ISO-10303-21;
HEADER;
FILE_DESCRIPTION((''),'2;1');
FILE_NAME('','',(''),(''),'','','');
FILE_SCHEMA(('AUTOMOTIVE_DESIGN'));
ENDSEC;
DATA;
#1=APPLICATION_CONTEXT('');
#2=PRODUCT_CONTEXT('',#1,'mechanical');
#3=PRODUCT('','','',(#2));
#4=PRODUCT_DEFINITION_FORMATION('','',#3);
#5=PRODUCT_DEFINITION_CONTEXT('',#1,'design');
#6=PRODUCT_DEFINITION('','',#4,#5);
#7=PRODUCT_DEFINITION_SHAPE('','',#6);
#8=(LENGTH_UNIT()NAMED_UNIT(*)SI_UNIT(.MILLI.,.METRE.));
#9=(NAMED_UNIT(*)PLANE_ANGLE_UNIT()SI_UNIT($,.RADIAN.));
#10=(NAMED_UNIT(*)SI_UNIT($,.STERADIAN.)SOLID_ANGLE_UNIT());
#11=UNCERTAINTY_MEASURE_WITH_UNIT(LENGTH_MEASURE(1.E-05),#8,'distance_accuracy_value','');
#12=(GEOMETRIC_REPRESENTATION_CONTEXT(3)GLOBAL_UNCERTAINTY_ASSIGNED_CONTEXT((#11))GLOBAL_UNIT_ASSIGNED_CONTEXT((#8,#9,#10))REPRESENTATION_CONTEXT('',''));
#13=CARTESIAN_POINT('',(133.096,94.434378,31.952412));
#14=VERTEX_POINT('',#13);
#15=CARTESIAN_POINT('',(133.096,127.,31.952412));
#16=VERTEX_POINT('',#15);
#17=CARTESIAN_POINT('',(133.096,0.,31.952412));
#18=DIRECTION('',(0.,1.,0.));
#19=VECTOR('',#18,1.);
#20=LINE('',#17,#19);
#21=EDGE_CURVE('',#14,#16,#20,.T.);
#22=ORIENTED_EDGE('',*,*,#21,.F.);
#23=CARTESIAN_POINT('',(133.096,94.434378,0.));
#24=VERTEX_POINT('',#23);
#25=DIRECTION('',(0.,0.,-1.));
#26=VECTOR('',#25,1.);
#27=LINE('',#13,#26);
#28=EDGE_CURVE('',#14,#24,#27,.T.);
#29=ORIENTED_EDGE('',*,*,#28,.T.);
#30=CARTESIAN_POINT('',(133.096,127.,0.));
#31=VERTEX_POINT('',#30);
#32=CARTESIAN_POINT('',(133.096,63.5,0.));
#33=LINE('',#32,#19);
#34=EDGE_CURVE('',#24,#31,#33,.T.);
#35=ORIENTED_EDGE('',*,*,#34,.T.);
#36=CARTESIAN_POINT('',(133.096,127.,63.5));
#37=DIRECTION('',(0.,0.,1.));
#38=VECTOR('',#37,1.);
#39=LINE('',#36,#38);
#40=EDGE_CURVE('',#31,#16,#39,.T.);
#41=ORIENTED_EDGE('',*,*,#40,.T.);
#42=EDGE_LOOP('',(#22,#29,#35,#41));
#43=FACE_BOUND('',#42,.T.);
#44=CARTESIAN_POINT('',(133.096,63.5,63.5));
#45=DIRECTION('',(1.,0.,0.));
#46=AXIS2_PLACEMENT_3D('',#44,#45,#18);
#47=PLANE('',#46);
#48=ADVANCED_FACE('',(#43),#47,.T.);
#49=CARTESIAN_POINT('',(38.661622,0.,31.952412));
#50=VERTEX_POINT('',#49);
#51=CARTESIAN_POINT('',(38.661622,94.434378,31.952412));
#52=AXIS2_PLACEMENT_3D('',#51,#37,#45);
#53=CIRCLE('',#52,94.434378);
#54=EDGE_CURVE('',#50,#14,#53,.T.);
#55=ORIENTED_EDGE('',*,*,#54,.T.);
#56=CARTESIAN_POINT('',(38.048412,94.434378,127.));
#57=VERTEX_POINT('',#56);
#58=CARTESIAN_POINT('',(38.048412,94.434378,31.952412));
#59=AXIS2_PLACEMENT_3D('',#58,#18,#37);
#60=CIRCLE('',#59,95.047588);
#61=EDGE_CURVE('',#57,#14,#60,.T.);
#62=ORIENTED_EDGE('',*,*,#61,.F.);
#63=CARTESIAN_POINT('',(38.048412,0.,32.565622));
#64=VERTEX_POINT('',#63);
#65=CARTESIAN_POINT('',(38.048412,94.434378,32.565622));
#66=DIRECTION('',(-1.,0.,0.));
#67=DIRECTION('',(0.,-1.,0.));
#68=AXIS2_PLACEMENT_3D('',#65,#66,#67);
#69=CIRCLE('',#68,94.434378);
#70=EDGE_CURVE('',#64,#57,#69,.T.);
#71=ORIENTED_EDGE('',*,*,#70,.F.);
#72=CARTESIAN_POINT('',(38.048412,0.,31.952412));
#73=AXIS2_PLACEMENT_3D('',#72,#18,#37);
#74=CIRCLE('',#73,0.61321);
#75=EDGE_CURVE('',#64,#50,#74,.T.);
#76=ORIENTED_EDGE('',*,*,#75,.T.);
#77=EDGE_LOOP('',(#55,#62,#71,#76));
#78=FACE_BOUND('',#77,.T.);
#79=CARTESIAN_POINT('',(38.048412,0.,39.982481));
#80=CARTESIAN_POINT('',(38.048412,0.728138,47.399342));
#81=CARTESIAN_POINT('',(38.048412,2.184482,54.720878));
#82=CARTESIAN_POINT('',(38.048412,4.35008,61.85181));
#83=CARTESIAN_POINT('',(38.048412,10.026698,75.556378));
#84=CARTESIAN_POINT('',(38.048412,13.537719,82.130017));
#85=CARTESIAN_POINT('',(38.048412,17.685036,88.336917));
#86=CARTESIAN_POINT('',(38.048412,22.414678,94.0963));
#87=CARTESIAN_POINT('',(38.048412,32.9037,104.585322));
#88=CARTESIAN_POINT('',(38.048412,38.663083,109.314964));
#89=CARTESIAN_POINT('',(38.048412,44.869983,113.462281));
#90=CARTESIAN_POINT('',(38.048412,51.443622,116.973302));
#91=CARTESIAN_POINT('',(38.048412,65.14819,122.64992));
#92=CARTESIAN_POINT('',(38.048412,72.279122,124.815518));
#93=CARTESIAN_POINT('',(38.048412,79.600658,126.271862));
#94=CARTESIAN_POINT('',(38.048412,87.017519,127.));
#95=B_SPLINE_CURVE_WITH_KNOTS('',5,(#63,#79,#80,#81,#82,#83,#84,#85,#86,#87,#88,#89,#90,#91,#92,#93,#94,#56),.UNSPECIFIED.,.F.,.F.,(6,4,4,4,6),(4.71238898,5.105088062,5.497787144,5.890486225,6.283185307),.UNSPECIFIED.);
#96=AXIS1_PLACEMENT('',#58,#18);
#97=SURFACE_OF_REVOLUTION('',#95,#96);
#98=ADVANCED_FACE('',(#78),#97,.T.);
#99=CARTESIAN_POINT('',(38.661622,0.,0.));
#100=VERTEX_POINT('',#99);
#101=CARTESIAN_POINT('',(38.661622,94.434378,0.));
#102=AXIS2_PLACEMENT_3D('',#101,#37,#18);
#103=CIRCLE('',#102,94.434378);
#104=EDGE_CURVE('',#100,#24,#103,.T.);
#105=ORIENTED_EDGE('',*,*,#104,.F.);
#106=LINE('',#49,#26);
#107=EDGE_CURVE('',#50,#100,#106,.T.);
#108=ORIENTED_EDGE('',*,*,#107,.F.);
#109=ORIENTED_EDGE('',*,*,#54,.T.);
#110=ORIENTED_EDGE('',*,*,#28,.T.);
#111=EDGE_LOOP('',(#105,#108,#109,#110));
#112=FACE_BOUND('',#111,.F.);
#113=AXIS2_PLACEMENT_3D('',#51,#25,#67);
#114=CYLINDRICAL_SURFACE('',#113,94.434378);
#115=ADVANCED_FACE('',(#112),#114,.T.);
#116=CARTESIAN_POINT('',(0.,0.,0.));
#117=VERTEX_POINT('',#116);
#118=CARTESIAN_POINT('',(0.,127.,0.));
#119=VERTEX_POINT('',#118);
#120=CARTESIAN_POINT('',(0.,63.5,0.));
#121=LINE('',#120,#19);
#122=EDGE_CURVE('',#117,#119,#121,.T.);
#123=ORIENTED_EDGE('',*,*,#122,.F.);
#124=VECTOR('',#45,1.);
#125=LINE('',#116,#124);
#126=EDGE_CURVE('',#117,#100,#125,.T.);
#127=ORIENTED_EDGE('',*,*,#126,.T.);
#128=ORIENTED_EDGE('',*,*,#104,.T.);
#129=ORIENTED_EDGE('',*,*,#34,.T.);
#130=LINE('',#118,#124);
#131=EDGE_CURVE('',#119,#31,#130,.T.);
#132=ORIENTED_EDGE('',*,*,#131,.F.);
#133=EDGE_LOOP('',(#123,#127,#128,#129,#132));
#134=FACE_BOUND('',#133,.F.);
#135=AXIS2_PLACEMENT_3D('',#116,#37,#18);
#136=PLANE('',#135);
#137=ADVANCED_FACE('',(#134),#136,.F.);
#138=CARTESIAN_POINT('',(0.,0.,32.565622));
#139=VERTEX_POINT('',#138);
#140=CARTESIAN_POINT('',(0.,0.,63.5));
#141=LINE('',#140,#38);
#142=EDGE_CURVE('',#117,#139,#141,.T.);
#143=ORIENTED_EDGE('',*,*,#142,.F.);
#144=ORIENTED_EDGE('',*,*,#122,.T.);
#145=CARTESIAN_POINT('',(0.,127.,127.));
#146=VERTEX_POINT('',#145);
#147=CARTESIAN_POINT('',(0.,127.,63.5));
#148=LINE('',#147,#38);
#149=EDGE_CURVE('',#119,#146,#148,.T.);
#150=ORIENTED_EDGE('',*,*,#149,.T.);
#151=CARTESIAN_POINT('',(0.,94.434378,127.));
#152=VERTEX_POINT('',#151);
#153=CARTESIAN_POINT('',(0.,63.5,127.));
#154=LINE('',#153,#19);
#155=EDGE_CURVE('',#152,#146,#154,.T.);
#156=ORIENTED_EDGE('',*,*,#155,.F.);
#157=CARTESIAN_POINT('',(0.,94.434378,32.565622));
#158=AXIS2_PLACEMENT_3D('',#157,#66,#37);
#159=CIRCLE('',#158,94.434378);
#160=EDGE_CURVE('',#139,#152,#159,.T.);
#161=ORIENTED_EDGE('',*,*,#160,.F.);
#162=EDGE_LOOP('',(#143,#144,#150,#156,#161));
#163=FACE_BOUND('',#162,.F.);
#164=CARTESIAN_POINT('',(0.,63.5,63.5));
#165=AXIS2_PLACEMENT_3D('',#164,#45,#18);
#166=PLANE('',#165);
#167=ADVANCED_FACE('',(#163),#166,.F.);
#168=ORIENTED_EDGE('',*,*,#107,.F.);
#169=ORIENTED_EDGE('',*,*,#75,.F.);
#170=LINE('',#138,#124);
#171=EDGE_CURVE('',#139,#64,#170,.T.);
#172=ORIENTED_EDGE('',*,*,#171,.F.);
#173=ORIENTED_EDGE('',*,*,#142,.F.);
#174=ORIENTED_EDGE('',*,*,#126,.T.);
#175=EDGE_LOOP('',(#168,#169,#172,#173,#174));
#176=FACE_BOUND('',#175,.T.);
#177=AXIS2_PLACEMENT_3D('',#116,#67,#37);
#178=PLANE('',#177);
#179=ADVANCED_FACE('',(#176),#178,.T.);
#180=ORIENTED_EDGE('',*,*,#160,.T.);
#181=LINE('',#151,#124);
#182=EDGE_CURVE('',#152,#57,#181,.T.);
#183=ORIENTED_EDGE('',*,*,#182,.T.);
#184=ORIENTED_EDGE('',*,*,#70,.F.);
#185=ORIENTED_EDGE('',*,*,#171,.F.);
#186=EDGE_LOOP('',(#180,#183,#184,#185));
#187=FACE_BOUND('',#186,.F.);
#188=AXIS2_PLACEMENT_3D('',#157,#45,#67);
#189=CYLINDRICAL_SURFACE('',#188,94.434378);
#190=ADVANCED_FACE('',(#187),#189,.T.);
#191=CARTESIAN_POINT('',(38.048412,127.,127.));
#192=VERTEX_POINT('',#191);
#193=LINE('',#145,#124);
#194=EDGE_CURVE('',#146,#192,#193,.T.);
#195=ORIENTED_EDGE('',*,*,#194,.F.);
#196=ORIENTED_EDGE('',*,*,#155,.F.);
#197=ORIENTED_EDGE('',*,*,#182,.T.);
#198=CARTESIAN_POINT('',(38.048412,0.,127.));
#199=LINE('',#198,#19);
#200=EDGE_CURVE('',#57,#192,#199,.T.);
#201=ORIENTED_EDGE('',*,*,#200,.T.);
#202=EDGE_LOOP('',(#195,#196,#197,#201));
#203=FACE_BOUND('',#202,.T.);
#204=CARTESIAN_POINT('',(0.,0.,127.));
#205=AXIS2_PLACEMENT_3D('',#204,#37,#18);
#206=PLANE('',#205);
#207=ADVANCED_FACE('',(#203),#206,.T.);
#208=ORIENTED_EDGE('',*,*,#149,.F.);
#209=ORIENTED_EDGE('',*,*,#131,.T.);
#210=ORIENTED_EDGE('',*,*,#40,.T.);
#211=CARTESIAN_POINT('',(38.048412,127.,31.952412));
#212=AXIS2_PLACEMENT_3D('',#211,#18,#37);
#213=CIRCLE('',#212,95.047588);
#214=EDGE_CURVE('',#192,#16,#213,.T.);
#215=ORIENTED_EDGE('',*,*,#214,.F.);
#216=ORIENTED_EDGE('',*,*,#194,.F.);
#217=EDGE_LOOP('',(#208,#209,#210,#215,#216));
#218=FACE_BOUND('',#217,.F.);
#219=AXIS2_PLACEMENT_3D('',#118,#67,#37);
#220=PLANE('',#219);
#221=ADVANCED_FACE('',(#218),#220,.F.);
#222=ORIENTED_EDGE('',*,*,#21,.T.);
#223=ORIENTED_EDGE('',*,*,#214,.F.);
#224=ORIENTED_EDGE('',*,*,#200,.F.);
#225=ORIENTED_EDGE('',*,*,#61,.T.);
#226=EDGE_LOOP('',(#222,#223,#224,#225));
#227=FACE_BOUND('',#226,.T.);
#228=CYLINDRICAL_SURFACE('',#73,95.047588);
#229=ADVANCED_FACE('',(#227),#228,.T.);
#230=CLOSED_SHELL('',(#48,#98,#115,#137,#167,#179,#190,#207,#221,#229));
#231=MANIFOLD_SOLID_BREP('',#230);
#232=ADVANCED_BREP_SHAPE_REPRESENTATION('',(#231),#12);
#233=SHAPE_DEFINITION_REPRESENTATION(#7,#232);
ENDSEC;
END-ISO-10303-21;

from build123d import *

# Parameters (mm, degrees)
F0_W     = 127
F0_H     = 127
F1_DEPTH = 133.096
F2_R     = 95.0475879506
F3_R     = 94.4343777058


with BuildPart() as f1:
    # F0 (on Right) → F1 (new body)
    with BuildSketch(Plane.YZ):
        with Locations((63.5, 63.5)):
            Rectangle(F0_W, F0_H)
    extrude(amount=F1_DEPTH)

    # F2
    f2_edges = [f1.edges().sort_by_distance(p)[0] for p in [
        (133.096, 63.5, 127),
    ]]
    fillet(f2_edges, radius=F2_R)

    # F3
    f3_edges = [f1.edges().sort_by_distance(p)[0] for p in [
        (105.257206, 0, 99.161206),
    ]]
    fillet(f3_edges, radius=F3_R)


solid = f1.part
